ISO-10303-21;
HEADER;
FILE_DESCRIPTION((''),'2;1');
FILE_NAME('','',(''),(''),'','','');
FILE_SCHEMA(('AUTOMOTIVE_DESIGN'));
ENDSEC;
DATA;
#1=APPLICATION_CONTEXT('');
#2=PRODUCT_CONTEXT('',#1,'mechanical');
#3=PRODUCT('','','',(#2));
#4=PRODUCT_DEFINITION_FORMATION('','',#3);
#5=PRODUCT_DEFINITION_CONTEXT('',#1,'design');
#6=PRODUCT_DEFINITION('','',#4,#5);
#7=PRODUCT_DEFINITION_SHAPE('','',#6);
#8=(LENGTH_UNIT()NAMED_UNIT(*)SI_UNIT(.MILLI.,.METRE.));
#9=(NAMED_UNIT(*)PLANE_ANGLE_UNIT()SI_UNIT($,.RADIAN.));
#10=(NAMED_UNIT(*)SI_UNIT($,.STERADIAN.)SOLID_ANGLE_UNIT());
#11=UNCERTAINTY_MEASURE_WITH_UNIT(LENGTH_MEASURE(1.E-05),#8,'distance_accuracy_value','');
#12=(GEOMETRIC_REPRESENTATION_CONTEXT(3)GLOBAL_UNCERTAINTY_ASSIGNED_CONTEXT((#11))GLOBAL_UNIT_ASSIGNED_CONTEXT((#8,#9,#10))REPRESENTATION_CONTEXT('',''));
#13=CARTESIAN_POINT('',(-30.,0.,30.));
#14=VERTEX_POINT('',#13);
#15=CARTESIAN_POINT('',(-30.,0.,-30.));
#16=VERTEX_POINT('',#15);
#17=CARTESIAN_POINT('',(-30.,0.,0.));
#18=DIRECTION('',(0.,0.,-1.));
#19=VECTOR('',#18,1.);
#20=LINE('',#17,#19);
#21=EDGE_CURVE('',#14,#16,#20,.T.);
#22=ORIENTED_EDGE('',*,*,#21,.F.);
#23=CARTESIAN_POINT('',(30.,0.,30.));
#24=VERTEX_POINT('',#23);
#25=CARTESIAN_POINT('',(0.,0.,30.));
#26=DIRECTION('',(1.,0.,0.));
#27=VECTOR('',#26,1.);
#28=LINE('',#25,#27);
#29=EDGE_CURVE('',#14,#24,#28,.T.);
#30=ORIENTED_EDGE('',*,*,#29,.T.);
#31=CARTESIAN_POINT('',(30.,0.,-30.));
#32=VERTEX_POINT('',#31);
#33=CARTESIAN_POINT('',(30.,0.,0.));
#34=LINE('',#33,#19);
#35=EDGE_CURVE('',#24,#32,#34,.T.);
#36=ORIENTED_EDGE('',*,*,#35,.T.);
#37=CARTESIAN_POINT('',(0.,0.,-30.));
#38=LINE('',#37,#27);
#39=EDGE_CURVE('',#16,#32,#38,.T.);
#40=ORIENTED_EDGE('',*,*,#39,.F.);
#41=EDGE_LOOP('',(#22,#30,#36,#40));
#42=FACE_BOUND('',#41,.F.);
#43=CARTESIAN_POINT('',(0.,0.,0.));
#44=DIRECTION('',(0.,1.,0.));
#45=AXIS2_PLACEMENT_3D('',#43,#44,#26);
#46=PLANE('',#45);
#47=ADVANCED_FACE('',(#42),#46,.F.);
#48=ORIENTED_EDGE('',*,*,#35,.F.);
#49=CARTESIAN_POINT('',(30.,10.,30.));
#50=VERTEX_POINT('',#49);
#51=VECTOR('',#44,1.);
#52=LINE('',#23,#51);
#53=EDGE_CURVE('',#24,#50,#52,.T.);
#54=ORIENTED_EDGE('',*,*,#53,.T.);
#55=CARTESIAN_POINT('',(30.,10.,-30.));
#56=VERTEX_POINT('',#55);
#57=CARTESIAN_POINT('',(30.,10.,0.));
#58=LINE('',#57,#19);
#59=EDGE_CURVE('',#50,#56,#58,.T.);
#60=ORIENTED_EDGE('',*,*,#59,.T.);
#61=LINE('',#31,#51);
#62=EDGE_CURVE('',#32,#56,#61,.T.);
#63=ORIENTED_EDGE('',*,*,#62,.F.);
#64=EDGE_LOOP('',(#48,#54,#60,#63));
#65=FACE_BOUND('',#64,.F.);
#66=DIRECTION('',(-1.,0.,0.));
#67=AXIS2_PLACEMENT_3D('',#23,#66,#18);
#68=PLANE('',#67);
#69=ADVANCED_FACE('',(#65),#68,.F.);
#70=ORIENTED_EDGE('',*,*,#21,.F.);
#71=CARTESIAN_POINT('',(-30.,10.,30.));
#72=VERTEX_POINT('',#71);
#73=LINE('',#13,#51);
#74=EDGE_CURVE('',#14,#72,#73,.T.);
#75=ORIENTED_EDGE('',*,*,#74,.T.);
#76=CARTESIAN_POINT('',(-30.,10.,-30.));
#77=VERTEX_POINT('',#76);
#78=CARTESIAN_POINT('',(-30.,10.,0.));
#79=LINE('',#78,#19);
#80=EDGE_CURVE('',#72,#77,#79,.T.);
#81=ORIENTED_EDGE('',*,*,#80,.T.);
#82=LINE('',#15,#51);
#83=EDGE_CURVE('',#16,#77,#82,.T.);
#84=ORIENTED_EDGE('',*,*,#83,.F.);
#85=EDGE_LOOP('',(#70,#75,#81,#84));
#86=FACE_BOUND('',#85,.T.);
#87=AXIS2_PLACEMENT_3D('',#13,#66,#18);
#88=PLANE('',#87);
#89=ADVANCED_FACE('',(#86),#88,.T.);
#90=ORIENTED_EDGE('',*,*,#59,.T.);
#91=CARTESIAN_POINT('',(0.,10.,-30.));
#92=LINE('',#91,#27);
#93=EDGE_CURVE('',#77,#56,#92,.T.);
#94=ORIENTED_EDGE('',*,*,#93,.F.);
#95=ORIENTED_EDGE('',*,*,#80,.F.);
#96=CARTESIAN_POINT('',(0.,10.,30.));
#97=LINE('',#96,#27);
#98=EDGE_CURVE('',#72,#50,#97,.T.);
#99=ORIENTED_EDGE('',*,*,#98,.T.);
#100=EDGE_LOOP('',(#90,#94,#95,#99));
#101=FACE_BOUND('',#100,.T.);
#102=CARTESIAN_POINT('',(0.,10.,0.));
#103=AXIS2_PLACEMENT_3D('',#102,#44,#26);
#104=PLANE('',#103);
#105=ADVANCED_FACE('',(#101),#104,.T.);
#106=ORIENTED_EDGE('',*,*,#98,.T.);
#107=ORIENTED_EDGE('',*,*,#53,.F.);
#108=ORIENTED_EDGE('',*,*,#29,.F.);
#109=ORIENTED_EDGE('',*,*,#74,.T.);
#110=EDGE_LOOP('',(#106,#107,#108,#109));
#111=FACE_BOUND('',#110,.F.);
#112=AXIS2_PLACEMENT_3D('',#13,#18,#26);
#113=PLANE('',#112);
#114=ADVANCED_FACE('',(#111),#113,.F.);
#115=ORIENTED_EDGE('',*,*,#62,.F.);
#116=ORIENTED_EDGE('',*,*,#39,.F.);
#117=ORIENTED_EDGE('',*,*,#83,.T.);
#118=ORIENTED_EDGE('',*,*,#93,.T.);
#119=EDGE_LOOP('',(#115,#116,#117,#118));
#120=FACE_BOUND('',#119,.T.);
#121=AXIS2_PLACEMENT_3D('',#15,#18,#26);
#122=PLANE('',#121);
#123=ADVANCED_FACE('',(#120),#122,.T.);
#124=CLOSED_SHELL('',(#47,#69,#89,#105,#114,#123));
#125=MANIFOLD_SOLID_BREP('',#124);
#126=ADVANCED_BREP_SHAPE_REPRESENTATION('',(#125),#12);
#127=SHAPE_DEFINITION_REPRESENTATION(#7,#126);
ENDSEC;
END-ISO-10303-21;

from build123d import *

# Parameters (mm, degrees)
SKETCH5_W           = 60
SKETCH5_H           = 60
BOSS_EXTRUDE2_DEPTH = 10


with BuildPart() as part:
    # Sketch5 → Boss-Extrude2 (new body)
    with BuildSketch(Plane(origin=(0, 0, 0), x_dir=(1, 0, 0), z_dir=(0, 1, 0))):
        Rectangle(SKETCH5_W, SKETCH5_H)
    extrude(amount=BOSS_EXTRUDE2_DEPTH)


solid = part.part
